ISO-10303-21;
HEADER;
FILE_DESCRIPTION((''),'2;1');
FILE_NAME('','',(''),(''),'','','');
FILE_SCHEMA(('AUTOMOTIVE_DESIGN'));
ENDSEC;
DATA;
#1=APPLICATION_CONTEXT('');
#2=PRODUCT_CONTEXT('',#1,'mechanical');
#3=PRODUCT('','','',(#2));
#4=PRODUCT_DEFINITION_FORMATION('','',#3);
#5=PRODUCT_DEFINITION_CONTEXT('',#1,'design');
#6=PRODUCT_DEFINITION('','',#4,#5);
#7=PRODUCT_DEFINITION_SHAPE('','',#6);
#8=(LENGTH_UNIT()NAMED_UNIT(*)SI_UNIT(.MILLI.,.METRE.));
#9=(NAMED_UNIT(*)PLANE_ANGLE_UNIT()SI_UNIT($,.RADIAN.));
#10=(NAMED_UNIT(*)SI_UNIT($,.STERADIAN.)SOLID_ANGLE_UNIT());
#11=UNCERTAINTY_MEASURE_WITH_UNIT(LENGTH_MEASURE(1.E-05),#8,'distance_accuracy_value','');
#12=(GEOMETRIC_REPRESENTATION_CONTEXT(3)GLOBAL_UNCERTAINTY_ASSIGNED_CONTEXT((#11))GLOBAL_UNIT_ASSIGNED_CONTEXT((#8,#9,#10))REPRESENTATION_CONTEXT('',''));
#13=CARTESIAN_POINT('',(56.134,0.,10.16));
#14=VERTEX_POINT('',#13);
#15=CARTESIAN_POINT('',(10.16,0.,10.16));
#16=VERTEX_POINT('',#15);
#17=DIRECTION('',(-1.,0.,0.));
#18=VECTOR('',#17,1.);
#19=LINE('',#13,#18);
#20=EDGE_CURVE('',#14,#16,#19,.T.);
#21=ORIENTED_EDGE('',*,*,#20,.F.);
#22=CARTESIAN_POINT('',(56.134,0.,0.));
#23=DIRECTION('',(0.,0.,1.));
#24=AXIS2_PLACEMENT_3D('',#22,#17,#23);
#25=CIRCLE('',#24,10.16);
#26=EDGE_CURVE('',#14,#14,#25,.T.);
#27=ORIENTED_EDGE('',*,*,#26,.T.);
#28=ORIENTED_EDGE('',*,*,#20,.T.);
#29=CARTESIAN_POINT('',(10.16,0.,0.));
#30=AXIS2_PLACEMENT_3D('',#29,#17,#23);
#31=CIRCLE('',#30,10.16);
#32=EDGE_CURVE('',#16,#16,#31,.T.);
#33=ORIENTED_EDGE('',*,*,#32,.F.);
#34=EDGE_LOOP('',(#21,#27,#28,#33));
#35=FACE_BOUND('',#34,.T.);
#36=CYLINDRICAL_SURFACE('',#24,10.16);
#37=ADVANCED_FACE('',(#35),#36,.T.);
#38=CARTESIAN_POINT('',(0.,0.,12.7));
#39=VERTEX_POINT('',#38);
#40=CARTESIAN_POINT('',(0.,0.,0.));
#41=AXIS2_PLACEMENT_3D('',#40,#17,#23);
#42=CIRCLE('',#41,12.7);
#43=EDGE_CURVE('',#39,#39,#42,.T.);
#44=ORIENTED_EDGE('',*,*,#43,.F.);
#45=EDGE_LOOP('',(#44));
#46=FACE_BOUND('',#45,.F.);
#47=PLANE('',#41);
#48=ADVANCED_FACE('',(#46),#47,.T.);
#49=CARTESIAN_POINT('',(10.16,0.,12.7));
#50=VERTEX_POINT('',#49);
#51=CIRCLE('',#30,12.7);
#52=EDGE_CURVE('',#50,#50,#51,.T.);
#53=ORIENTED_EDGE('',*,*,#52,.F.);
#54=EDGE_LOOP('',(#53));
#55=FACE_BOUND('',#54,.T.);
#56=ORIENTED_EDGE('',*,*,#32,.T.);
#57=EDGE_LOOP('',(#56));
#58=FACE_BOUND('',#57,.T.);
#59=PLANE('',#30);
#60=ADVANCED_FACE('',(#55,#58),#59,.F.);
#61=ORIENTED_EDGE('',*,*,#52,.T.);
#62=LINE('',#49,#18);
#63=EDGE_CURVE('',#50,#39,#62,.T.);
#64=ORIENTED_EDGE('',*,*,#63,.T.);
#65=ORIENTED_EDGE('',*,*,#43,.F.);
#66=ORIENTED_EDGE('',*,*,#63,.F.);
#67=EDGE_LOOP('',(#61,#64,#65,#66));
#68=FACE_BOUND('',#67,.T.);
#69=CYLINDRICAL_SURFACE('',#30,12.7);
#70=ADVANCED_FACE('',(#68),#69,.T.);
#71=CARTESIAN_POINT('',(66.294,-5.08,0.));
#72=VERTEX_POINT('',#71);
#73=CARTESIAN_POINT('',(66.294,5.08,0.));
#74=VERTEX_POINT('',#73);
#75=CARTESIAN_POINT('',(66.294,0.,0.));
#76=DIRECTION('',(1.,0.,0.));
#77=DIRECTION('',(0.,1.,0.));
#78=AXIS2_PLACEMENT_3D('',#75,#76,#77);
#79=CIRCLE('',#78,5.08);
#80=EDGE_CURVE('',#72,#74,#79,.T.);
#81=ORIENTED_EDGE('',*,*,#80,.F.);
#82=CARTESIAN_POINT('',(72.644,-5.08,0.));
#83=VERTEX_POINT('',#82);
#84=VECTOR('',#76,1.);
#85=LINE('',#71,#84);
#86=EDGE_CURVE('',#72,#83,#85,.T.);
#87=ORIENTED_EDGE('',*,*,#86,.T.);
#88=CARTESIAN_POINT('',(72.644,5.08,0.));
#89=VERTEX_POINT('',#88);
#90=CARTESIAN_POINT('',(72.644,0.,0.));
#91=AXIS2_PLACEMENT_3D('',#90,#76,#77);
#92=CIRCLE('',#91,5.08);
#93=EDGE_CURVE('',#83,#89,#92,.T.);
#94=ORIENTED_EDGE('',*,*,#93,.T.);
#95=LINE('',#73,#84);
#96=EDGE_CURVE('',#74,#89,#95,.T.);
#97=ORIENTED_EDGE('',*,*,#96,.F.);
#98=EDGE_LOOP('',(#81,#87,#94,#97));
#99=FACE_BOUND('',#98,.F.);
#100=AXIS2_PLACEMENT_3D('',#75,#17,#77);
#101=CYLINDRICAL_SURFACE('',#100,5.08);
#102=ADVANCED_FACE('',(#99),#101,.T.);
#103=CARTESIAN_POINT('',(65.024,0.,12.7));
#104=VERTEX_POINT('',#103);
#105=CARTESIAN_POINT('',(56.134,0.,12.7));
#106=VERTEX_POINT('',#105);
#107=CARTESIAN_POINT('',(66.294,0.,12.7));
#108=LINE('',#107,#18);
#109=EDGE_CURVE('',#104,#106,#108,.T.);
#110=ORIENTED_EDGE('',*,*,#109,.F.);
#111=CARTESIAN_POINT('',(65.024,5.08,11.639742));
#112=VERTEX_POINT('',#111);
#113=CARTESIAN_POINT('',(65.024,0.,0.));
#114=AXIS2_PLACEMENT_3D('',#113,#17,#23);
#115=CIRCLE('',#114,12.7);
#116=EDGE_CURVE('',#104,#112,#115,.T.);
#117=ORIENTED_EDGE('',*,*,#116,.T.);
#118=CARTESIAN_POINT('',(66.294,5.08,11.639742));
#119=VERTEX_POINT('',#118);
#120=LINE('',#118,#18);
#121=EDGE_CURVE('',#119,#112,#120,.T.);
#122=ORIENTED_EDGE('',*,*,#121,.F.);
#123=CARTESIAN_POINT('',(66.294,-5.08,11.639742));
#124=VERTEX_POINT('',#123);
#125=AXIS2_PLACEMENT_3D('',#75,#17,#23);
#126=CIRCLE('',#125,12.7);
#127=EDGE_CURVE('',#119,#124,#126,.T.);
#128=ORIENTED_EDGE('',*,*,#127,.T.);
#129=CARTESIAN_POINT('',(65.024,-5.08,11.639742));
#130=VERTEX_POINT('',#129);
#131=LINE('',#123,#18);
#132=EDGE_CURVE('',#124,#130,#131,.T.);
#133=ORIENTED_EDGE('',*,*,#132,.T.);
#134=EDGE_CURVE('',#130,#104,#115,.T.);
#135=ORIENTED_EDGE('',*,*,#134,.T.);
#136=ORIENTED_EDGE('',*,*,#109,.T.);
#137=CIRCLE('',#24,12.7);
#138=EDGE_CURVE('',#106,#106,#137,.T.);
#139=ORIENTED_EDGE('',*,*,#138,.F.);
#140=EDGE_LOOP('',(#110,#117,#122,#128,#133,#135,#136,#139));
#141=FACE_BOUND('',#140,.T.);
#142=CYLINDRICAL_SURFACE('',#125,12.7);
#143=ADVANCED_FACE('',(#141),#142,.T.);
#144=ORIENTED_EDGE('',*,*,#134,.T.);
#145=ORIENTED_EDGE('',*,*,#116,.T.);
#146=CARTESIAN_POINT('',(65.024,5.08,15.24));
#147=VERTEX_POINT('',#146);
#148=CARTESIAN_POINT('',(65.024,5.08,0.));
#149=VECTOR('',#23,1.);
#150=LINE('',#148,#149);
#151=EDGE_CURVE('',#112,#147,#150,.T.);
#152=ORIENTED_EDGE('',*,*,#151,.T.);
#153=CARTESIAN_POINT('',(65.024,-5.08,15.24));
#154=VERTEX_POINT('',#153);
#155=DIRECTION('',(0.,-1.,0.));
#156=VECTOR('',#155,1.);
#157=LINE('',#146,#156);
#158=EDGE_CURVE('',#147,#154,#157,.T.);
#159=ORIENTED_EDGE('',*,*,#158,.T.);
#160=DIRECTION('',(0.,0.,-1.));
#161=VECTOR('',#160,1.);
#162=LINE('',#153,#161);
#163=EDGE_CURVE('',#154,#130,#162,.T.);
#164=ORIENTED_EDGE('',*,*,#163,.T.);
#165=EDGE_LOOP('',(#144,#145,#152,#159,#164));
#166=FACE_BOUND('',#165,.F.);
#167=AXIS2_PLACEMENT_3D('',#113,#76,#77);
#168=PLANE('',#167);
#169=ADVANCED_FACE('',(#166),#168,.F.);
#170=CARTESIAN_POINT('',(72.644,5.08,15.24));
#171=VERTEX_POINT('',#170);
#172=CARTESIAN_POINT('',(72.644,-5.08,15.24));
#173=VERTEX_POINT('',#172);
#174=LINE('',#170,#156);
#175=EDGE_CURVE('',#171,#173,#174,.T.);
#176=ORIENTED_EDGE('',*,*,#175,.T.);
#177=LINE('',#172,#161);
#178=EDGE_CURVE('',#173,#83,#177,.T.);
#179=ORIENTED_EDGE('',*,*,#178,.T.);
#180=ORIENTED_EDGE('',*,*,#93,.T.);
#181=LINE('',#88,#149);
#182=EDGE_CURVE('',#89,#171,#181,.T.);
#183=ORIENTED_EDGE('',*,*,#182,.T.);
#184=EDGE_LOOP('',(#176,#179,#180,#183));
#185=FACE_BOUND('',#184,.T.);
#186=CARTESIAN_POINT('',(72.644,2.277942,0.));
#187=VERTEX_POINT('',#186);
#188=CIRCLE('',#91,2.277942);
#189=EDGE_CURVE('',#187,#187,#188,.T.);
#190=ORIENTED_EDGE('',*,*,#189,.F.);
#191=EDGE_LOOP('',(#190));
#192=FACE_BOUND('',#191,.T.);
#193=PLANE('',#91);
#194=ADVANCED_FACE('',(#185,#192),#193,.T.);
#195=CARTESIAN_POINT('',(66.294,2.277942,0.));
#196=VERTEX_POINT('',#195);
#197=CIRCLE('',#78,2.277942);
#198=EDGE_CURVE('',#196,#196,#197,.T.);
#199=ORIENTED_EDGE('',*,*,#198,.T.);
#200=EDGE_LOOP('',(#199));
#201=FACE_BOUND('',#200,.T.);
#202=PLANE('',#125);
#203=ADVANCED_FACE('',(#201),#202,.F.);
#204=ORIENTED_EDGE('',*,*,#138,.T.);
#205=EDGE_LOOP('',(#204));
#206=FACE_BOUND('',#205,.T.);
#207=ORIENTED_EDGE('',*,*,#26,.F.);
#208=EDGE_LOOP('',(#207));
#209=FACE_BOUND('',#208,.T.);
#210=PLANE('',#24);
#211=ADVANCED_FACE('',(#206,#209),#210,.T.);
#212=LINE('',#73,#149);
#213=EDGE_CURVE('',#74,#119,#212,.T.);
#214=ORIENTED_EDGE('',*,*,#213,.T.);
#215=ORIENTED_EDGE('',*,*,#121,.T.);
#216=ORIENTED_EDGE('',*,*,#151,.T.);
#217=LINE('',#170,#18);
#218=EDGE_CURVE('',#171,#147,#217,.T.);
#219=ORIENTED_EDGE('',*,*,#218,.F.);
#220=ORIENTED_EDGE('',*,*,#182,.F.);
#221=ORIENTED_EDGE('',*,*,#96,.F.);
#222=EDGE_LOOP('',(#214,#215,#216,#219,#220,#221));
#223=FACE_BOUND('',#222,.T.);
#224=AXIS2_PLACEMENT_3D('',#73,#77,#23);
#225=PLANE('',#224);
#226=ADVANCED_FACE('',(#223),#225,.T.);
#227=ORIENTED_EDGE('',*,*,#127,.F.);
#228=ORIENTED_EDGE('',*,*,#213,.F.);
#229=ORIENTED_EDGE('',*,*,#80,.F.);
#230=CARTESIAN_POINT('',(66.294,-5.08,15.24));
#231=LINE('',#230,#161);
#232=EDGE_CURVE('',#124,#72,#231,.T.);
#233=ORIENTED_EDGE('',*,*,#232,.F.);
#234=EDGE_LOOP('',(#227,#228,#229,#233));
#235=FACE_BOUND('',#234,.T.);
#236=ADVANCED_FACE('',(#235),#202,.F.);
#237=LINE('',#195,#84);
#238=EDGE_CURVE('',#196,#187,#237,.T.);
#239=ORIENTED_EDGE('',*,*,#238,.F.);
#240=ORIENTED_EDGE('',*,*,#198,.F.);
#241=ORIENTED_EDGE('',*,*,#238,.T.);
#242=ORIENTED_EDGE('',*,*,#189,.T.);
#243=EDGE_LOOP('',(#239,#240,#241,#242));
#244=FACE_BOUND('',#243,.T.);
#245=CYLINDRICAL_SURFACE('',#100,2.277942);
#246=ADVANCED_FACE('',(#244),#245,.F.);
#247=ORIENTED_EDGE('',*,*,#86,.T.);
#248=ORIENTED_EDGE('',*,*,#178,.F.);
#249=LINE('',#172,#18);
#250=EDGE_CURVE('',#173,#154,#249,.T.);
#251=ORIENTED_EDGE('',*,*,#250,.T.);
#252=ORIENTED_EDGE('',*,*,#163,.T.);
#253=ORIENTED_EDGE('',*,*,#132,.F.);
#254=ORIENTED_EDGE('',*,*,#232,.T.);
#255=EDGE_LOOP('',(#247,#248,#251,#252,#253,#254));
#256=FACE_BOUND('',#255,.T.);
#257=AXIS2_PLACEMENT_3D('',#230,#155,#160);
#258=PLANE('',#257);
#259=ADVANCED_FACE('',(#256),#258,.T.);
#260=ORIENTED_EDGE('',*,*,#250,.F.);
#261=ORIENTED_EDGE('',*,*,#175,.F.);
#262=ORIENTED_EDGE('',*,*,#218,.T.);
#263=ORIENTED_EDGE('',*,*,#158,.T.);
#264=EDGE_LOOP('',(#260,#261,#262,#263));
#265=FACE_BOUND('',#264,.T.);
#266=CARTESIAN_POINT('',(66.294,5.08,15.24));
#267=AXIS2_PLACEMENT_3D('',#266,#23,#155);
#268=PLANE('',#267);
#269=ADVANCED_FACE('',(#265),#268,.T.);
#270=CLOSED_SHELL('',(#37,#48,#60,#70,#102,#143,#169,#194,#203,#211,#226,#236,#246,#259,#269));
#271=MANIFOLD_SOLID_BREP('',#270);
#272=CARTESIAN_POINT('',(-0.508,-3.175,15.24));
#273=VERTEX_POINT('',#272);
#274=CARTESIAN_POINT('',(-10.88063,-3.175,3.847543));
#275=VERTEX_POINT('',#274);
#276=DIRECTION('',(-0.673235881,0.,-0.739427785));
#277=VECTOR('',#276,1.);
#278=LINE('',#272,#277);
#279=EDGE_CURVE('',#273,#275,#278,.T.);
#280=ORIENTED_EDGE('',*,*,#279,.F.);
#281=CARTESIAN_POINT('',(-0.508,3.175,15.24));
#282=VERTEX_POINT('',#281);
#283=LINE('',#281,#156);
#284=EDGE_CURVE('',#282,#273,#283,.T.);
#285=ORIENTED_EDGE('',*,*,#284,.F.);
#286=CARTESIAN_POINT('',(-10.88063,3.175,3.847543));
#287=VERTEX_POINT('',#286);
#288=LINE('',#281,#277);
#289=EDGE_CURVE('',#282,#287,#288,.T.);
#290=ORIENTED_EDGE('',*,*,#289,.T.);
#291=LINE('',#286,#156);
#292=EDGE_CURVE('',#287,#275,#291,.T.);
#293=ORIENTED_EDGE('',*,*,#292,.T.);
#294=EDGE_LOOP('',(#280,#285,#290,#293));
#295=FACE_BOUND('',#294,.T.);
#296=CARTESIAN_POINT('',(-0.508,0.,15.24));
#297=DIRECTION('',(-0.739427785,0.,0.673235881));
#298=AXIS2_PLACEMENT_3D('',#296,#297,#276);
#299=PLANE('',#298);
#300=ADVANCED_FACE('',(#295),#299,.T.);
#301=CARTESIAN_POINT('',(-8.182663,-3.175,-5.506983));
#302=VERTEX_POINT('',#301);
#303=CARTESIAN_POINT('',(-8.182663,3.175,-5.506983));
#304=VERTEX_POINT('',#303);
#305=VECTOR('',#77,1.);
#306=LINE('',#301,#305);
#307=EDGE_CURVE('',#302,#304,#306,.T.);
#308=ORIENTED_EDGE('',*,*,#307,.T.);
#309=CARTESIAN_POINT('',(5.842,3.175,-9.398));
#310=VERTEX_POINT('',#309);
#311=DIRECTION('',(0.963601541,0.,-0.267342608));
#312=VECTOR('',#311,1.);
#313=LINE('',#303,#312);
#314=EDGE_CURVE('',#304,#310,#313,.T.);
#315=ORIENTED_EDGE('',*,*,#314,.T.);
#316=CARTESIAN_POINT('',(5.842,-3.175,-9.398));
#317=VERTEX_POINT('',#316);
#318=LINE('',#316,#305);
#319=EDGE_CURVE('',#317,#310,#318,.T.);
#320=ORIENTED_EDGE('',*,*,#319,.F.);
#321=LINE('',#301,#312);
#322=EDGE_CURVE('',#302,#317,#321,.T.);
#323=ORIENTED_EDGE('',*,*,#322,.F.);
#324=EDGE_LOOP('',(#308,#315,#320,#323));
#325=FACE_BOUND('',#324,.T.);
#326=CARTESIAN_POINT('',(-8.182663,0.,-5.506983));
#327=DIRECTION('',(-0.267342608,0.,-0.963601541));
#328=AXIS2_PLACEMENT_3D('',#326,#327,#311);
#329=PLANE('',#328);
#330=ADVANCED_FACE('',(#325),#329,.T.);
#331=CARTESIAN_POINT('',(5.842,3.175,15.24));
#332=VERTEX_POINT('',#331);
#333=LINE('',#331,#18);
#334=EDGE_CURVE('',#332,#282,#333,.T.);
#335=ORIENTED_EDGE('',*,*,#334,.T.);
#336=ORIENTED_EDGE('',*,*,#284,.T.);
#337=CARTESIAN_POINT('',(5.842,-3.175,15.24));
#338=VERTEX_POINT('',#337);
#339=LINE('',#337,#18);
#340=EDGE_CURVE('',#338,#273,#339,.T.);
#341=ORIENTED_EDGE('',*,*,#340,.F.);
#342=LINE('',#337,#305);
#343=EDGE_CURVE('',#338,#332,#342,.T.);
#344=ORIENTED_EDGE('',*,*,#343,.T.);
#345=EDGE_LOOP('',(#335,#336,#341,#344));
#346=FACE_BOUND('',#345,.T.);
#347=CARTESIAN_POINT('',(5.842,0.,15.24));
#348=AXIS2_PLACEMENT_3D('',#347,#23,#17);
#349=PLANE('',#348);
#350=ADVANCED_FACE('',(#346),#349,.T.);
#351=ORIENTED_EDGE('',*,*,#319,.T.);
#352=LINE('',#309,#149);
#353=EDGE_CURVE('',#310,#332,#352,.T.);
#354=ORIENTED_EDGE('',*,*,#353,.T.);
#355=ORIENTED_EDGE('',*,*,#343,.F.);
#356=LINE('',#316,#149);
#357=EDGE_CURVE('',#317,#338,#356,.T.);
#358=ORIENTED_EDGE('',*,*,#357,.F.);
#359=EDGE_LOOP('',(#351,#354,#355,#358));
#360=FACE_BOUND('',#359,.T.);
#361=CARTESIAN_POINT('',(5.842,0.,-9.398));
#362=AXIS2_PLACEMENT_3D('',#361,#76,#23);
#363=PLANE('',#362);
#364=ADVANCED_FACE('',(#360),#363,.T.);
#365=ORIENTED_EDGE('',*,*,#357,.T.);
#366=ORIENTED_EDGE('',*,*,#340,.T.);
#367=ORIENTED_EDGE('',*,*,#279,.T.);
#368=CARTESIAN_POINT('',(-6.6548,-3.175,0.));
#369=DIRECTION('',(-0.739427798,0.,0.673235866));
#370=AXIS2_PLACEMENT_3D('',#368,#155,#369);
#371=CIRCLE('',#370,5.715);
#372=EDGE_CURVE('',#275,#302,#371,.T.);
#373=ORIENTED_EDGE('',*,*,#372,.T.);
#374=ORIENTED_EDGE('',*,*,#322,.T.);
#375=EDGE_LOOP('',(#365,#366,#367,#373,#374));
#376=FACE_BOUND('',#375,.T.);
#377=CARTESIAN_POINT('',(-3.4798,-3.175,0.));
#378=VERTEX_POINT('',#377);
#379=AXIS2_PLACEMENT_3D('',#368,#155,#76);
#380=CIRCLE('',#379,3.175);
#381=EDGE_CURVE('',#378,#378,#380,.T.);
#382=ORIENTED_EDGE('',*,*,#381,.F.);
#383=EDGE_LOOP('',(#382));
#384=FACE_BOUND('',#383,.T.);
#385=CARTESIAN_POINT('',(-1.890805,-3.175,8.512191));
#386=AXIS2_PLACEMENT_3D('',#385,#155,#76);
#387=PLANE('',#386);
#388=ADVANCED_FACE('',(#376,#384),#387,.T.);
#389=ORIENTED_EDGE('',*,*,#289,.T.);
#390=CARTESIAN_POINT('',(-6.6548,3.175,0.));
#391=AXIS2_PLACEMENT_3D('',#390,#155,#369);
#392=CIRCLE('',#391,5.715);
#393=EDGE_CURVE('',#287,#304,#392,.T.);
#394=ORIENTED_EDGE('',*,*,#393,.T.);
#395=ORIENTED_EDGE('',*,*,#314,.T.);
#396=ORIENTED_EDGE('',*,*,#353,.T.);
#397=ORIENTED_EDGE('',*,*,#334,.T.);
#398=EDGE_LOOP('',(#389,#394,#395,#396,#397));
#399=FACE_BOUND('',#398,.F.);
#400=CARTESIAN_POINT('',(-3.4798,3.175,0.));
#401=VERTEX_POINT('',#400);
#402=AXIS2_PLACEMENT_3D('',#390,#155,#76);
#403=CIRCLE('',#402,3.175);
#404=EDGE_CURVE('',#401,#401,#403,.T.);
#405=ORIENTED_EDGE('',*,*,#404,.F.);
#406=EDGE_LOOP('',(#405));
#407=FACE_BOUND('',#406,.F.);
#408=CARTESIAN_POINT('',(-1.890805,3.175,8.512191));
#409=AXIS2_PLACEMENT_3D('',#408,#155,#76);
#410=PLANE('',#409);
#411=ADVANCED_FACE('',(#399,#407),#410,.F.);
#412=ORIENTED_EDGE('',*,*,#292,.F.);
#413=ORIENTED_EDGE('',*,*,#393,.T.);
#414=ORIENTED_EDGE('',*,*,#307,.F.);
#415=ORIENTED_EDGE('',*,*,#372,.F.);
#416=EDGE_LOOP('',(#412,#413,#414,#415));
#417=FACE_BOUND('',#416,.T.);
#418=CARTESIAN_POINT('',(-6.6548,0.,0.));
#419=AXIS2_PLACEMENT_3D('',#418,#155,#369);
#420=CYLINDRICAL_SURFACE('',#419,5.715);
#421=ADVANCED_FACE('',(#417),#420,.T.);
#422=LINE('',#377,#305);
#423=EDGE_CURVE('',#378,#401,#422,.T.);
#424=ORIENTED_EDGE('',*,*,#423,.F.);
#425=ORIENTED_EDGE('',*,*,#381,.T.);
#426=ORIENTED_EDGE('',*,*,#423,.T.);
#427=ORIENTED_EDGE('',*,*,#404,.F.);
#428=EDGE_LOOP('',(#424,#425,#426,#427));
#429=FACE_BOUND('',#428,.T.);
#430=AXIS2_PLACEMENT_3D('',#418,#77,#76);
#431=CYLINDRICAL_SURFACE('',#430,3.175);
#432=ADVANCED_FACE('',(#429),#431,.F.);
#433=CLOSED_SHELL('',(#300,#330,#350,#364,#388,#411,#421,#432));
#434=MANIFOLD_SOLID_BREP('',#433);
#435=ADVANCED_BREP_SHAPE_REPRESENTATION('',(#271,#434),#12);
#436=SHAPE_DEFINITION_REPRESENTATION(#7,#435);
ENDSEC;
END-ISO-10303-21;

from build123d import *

# Parameters (mm, degrees)
F0_W          = 5.842
F0_H          = 12.7
F0_R          = 3.175
F2_DEPTH      = 3.175
F3_R          = 2.277942
F4_DEPTH      = 6.35
F4_DEPTH_BACK = 1.27


with BuildPart() as f1:
    # F0 (on Front) → F1 (revolve)
    with BuildSketch(Plane.XZ):
        Polygon((5.842, 12.7), (5.842, 0), (66.294, 0), (66.294, 12.7), (56.134, 12.7), (56.134, 10.16), (10.16, 10.16), (10.16, 12.7), align=None)
        with Locations((2.921, 6.35)):
            Rectangle(F0_W, F0_H)
    revolve(axis=Axis((33.147, 0, 0), (-1, 0, 0)))

    # F3 (on face) → F4 (join, two sides)
    with BuildSketch(Plane.YZ.offset(66.294)) as f4_sk:
        with BuildLine():
            ThreePointArc((-5.08, 0), (0, -5.08), (5.08, 0))
            ThreePointArc((5.08, 0), (0, 5.08), (-5.08, 0))
        make_face()
        Circle(F3_R, mode=Mode.SUBTRACT)
        with BuildLine():
            ThreePointArc((-5.08, 0), (0, 5.08), (5.08, 0))
            Line((5.08, 0), (5.08, 15.24))
            Line((5.08, 15.24), (-5.08, 15.24))
            Line((-5.08, 15.24), (-5.08, 0))
        make_face()
    extrude(amount=F4_DEPTH)
    extrude(f4_sk.sketch, amount=-F4_DEPTH_BACK)


with BuildPart() as f2:
    # F0 (on Front) → F2 (new body, symmetric)
    with BuildSketch(Plane.XZ):
        with BuildLine():
            Line((-0.9398, 0), (0, 0))
            Line((0, 0), (0, 12.7))
            Line((0, 12.7), (5.842, 12.7))
            Line((5.842, 12.7), (5.842, 15.24))
            Line((5.842, 15.24), (-0.508, 15.24))
            Line((-0.508, 15.24), (-10.88063, 3.847543))
            ThreePointArc((-10.88063, 3.847543), (-4.591961, 5.329721), (-0.9398, 0))
        make_face()
        with Locations((2.921, 6.35)):
            Rectangle(F0_W, F0_H)
        with BuildLine():
            Line((5.842, 0), (0, 0))
            Line((0, 0), (-0.9398, 0))
            ThreePointArc((-0.9398, 0), (-3.195791, -4.549339), (-8.182663, -5.506983))
            Line((-8.182663, -5.506983), (5.842, -9.398))
            Line((5.842, -9.398), (5.842, 0))
        make_face()
        with BuildLine():
            ThreePointArc((-8.182663, -5.506983), (-3.195791, -4.549339), (-0.9398, 0))
            ThreePointArc((-0.9398, 0), (-4.591961, 5.329721), (-10.88063, 3.847543))
            ThreePointArc((-10.88063, 3.847543), (-12.145978, -1.583727), (-8.182663, -5.506983))
        make_face()
        with Locations((-6.6548, 0)):
            Circle(F0_R, mode=Mode.SUBTRACT)
    extrude(amount=F2_DEPTH, both=True)


solid = Compound([f1.part, f2.part])
